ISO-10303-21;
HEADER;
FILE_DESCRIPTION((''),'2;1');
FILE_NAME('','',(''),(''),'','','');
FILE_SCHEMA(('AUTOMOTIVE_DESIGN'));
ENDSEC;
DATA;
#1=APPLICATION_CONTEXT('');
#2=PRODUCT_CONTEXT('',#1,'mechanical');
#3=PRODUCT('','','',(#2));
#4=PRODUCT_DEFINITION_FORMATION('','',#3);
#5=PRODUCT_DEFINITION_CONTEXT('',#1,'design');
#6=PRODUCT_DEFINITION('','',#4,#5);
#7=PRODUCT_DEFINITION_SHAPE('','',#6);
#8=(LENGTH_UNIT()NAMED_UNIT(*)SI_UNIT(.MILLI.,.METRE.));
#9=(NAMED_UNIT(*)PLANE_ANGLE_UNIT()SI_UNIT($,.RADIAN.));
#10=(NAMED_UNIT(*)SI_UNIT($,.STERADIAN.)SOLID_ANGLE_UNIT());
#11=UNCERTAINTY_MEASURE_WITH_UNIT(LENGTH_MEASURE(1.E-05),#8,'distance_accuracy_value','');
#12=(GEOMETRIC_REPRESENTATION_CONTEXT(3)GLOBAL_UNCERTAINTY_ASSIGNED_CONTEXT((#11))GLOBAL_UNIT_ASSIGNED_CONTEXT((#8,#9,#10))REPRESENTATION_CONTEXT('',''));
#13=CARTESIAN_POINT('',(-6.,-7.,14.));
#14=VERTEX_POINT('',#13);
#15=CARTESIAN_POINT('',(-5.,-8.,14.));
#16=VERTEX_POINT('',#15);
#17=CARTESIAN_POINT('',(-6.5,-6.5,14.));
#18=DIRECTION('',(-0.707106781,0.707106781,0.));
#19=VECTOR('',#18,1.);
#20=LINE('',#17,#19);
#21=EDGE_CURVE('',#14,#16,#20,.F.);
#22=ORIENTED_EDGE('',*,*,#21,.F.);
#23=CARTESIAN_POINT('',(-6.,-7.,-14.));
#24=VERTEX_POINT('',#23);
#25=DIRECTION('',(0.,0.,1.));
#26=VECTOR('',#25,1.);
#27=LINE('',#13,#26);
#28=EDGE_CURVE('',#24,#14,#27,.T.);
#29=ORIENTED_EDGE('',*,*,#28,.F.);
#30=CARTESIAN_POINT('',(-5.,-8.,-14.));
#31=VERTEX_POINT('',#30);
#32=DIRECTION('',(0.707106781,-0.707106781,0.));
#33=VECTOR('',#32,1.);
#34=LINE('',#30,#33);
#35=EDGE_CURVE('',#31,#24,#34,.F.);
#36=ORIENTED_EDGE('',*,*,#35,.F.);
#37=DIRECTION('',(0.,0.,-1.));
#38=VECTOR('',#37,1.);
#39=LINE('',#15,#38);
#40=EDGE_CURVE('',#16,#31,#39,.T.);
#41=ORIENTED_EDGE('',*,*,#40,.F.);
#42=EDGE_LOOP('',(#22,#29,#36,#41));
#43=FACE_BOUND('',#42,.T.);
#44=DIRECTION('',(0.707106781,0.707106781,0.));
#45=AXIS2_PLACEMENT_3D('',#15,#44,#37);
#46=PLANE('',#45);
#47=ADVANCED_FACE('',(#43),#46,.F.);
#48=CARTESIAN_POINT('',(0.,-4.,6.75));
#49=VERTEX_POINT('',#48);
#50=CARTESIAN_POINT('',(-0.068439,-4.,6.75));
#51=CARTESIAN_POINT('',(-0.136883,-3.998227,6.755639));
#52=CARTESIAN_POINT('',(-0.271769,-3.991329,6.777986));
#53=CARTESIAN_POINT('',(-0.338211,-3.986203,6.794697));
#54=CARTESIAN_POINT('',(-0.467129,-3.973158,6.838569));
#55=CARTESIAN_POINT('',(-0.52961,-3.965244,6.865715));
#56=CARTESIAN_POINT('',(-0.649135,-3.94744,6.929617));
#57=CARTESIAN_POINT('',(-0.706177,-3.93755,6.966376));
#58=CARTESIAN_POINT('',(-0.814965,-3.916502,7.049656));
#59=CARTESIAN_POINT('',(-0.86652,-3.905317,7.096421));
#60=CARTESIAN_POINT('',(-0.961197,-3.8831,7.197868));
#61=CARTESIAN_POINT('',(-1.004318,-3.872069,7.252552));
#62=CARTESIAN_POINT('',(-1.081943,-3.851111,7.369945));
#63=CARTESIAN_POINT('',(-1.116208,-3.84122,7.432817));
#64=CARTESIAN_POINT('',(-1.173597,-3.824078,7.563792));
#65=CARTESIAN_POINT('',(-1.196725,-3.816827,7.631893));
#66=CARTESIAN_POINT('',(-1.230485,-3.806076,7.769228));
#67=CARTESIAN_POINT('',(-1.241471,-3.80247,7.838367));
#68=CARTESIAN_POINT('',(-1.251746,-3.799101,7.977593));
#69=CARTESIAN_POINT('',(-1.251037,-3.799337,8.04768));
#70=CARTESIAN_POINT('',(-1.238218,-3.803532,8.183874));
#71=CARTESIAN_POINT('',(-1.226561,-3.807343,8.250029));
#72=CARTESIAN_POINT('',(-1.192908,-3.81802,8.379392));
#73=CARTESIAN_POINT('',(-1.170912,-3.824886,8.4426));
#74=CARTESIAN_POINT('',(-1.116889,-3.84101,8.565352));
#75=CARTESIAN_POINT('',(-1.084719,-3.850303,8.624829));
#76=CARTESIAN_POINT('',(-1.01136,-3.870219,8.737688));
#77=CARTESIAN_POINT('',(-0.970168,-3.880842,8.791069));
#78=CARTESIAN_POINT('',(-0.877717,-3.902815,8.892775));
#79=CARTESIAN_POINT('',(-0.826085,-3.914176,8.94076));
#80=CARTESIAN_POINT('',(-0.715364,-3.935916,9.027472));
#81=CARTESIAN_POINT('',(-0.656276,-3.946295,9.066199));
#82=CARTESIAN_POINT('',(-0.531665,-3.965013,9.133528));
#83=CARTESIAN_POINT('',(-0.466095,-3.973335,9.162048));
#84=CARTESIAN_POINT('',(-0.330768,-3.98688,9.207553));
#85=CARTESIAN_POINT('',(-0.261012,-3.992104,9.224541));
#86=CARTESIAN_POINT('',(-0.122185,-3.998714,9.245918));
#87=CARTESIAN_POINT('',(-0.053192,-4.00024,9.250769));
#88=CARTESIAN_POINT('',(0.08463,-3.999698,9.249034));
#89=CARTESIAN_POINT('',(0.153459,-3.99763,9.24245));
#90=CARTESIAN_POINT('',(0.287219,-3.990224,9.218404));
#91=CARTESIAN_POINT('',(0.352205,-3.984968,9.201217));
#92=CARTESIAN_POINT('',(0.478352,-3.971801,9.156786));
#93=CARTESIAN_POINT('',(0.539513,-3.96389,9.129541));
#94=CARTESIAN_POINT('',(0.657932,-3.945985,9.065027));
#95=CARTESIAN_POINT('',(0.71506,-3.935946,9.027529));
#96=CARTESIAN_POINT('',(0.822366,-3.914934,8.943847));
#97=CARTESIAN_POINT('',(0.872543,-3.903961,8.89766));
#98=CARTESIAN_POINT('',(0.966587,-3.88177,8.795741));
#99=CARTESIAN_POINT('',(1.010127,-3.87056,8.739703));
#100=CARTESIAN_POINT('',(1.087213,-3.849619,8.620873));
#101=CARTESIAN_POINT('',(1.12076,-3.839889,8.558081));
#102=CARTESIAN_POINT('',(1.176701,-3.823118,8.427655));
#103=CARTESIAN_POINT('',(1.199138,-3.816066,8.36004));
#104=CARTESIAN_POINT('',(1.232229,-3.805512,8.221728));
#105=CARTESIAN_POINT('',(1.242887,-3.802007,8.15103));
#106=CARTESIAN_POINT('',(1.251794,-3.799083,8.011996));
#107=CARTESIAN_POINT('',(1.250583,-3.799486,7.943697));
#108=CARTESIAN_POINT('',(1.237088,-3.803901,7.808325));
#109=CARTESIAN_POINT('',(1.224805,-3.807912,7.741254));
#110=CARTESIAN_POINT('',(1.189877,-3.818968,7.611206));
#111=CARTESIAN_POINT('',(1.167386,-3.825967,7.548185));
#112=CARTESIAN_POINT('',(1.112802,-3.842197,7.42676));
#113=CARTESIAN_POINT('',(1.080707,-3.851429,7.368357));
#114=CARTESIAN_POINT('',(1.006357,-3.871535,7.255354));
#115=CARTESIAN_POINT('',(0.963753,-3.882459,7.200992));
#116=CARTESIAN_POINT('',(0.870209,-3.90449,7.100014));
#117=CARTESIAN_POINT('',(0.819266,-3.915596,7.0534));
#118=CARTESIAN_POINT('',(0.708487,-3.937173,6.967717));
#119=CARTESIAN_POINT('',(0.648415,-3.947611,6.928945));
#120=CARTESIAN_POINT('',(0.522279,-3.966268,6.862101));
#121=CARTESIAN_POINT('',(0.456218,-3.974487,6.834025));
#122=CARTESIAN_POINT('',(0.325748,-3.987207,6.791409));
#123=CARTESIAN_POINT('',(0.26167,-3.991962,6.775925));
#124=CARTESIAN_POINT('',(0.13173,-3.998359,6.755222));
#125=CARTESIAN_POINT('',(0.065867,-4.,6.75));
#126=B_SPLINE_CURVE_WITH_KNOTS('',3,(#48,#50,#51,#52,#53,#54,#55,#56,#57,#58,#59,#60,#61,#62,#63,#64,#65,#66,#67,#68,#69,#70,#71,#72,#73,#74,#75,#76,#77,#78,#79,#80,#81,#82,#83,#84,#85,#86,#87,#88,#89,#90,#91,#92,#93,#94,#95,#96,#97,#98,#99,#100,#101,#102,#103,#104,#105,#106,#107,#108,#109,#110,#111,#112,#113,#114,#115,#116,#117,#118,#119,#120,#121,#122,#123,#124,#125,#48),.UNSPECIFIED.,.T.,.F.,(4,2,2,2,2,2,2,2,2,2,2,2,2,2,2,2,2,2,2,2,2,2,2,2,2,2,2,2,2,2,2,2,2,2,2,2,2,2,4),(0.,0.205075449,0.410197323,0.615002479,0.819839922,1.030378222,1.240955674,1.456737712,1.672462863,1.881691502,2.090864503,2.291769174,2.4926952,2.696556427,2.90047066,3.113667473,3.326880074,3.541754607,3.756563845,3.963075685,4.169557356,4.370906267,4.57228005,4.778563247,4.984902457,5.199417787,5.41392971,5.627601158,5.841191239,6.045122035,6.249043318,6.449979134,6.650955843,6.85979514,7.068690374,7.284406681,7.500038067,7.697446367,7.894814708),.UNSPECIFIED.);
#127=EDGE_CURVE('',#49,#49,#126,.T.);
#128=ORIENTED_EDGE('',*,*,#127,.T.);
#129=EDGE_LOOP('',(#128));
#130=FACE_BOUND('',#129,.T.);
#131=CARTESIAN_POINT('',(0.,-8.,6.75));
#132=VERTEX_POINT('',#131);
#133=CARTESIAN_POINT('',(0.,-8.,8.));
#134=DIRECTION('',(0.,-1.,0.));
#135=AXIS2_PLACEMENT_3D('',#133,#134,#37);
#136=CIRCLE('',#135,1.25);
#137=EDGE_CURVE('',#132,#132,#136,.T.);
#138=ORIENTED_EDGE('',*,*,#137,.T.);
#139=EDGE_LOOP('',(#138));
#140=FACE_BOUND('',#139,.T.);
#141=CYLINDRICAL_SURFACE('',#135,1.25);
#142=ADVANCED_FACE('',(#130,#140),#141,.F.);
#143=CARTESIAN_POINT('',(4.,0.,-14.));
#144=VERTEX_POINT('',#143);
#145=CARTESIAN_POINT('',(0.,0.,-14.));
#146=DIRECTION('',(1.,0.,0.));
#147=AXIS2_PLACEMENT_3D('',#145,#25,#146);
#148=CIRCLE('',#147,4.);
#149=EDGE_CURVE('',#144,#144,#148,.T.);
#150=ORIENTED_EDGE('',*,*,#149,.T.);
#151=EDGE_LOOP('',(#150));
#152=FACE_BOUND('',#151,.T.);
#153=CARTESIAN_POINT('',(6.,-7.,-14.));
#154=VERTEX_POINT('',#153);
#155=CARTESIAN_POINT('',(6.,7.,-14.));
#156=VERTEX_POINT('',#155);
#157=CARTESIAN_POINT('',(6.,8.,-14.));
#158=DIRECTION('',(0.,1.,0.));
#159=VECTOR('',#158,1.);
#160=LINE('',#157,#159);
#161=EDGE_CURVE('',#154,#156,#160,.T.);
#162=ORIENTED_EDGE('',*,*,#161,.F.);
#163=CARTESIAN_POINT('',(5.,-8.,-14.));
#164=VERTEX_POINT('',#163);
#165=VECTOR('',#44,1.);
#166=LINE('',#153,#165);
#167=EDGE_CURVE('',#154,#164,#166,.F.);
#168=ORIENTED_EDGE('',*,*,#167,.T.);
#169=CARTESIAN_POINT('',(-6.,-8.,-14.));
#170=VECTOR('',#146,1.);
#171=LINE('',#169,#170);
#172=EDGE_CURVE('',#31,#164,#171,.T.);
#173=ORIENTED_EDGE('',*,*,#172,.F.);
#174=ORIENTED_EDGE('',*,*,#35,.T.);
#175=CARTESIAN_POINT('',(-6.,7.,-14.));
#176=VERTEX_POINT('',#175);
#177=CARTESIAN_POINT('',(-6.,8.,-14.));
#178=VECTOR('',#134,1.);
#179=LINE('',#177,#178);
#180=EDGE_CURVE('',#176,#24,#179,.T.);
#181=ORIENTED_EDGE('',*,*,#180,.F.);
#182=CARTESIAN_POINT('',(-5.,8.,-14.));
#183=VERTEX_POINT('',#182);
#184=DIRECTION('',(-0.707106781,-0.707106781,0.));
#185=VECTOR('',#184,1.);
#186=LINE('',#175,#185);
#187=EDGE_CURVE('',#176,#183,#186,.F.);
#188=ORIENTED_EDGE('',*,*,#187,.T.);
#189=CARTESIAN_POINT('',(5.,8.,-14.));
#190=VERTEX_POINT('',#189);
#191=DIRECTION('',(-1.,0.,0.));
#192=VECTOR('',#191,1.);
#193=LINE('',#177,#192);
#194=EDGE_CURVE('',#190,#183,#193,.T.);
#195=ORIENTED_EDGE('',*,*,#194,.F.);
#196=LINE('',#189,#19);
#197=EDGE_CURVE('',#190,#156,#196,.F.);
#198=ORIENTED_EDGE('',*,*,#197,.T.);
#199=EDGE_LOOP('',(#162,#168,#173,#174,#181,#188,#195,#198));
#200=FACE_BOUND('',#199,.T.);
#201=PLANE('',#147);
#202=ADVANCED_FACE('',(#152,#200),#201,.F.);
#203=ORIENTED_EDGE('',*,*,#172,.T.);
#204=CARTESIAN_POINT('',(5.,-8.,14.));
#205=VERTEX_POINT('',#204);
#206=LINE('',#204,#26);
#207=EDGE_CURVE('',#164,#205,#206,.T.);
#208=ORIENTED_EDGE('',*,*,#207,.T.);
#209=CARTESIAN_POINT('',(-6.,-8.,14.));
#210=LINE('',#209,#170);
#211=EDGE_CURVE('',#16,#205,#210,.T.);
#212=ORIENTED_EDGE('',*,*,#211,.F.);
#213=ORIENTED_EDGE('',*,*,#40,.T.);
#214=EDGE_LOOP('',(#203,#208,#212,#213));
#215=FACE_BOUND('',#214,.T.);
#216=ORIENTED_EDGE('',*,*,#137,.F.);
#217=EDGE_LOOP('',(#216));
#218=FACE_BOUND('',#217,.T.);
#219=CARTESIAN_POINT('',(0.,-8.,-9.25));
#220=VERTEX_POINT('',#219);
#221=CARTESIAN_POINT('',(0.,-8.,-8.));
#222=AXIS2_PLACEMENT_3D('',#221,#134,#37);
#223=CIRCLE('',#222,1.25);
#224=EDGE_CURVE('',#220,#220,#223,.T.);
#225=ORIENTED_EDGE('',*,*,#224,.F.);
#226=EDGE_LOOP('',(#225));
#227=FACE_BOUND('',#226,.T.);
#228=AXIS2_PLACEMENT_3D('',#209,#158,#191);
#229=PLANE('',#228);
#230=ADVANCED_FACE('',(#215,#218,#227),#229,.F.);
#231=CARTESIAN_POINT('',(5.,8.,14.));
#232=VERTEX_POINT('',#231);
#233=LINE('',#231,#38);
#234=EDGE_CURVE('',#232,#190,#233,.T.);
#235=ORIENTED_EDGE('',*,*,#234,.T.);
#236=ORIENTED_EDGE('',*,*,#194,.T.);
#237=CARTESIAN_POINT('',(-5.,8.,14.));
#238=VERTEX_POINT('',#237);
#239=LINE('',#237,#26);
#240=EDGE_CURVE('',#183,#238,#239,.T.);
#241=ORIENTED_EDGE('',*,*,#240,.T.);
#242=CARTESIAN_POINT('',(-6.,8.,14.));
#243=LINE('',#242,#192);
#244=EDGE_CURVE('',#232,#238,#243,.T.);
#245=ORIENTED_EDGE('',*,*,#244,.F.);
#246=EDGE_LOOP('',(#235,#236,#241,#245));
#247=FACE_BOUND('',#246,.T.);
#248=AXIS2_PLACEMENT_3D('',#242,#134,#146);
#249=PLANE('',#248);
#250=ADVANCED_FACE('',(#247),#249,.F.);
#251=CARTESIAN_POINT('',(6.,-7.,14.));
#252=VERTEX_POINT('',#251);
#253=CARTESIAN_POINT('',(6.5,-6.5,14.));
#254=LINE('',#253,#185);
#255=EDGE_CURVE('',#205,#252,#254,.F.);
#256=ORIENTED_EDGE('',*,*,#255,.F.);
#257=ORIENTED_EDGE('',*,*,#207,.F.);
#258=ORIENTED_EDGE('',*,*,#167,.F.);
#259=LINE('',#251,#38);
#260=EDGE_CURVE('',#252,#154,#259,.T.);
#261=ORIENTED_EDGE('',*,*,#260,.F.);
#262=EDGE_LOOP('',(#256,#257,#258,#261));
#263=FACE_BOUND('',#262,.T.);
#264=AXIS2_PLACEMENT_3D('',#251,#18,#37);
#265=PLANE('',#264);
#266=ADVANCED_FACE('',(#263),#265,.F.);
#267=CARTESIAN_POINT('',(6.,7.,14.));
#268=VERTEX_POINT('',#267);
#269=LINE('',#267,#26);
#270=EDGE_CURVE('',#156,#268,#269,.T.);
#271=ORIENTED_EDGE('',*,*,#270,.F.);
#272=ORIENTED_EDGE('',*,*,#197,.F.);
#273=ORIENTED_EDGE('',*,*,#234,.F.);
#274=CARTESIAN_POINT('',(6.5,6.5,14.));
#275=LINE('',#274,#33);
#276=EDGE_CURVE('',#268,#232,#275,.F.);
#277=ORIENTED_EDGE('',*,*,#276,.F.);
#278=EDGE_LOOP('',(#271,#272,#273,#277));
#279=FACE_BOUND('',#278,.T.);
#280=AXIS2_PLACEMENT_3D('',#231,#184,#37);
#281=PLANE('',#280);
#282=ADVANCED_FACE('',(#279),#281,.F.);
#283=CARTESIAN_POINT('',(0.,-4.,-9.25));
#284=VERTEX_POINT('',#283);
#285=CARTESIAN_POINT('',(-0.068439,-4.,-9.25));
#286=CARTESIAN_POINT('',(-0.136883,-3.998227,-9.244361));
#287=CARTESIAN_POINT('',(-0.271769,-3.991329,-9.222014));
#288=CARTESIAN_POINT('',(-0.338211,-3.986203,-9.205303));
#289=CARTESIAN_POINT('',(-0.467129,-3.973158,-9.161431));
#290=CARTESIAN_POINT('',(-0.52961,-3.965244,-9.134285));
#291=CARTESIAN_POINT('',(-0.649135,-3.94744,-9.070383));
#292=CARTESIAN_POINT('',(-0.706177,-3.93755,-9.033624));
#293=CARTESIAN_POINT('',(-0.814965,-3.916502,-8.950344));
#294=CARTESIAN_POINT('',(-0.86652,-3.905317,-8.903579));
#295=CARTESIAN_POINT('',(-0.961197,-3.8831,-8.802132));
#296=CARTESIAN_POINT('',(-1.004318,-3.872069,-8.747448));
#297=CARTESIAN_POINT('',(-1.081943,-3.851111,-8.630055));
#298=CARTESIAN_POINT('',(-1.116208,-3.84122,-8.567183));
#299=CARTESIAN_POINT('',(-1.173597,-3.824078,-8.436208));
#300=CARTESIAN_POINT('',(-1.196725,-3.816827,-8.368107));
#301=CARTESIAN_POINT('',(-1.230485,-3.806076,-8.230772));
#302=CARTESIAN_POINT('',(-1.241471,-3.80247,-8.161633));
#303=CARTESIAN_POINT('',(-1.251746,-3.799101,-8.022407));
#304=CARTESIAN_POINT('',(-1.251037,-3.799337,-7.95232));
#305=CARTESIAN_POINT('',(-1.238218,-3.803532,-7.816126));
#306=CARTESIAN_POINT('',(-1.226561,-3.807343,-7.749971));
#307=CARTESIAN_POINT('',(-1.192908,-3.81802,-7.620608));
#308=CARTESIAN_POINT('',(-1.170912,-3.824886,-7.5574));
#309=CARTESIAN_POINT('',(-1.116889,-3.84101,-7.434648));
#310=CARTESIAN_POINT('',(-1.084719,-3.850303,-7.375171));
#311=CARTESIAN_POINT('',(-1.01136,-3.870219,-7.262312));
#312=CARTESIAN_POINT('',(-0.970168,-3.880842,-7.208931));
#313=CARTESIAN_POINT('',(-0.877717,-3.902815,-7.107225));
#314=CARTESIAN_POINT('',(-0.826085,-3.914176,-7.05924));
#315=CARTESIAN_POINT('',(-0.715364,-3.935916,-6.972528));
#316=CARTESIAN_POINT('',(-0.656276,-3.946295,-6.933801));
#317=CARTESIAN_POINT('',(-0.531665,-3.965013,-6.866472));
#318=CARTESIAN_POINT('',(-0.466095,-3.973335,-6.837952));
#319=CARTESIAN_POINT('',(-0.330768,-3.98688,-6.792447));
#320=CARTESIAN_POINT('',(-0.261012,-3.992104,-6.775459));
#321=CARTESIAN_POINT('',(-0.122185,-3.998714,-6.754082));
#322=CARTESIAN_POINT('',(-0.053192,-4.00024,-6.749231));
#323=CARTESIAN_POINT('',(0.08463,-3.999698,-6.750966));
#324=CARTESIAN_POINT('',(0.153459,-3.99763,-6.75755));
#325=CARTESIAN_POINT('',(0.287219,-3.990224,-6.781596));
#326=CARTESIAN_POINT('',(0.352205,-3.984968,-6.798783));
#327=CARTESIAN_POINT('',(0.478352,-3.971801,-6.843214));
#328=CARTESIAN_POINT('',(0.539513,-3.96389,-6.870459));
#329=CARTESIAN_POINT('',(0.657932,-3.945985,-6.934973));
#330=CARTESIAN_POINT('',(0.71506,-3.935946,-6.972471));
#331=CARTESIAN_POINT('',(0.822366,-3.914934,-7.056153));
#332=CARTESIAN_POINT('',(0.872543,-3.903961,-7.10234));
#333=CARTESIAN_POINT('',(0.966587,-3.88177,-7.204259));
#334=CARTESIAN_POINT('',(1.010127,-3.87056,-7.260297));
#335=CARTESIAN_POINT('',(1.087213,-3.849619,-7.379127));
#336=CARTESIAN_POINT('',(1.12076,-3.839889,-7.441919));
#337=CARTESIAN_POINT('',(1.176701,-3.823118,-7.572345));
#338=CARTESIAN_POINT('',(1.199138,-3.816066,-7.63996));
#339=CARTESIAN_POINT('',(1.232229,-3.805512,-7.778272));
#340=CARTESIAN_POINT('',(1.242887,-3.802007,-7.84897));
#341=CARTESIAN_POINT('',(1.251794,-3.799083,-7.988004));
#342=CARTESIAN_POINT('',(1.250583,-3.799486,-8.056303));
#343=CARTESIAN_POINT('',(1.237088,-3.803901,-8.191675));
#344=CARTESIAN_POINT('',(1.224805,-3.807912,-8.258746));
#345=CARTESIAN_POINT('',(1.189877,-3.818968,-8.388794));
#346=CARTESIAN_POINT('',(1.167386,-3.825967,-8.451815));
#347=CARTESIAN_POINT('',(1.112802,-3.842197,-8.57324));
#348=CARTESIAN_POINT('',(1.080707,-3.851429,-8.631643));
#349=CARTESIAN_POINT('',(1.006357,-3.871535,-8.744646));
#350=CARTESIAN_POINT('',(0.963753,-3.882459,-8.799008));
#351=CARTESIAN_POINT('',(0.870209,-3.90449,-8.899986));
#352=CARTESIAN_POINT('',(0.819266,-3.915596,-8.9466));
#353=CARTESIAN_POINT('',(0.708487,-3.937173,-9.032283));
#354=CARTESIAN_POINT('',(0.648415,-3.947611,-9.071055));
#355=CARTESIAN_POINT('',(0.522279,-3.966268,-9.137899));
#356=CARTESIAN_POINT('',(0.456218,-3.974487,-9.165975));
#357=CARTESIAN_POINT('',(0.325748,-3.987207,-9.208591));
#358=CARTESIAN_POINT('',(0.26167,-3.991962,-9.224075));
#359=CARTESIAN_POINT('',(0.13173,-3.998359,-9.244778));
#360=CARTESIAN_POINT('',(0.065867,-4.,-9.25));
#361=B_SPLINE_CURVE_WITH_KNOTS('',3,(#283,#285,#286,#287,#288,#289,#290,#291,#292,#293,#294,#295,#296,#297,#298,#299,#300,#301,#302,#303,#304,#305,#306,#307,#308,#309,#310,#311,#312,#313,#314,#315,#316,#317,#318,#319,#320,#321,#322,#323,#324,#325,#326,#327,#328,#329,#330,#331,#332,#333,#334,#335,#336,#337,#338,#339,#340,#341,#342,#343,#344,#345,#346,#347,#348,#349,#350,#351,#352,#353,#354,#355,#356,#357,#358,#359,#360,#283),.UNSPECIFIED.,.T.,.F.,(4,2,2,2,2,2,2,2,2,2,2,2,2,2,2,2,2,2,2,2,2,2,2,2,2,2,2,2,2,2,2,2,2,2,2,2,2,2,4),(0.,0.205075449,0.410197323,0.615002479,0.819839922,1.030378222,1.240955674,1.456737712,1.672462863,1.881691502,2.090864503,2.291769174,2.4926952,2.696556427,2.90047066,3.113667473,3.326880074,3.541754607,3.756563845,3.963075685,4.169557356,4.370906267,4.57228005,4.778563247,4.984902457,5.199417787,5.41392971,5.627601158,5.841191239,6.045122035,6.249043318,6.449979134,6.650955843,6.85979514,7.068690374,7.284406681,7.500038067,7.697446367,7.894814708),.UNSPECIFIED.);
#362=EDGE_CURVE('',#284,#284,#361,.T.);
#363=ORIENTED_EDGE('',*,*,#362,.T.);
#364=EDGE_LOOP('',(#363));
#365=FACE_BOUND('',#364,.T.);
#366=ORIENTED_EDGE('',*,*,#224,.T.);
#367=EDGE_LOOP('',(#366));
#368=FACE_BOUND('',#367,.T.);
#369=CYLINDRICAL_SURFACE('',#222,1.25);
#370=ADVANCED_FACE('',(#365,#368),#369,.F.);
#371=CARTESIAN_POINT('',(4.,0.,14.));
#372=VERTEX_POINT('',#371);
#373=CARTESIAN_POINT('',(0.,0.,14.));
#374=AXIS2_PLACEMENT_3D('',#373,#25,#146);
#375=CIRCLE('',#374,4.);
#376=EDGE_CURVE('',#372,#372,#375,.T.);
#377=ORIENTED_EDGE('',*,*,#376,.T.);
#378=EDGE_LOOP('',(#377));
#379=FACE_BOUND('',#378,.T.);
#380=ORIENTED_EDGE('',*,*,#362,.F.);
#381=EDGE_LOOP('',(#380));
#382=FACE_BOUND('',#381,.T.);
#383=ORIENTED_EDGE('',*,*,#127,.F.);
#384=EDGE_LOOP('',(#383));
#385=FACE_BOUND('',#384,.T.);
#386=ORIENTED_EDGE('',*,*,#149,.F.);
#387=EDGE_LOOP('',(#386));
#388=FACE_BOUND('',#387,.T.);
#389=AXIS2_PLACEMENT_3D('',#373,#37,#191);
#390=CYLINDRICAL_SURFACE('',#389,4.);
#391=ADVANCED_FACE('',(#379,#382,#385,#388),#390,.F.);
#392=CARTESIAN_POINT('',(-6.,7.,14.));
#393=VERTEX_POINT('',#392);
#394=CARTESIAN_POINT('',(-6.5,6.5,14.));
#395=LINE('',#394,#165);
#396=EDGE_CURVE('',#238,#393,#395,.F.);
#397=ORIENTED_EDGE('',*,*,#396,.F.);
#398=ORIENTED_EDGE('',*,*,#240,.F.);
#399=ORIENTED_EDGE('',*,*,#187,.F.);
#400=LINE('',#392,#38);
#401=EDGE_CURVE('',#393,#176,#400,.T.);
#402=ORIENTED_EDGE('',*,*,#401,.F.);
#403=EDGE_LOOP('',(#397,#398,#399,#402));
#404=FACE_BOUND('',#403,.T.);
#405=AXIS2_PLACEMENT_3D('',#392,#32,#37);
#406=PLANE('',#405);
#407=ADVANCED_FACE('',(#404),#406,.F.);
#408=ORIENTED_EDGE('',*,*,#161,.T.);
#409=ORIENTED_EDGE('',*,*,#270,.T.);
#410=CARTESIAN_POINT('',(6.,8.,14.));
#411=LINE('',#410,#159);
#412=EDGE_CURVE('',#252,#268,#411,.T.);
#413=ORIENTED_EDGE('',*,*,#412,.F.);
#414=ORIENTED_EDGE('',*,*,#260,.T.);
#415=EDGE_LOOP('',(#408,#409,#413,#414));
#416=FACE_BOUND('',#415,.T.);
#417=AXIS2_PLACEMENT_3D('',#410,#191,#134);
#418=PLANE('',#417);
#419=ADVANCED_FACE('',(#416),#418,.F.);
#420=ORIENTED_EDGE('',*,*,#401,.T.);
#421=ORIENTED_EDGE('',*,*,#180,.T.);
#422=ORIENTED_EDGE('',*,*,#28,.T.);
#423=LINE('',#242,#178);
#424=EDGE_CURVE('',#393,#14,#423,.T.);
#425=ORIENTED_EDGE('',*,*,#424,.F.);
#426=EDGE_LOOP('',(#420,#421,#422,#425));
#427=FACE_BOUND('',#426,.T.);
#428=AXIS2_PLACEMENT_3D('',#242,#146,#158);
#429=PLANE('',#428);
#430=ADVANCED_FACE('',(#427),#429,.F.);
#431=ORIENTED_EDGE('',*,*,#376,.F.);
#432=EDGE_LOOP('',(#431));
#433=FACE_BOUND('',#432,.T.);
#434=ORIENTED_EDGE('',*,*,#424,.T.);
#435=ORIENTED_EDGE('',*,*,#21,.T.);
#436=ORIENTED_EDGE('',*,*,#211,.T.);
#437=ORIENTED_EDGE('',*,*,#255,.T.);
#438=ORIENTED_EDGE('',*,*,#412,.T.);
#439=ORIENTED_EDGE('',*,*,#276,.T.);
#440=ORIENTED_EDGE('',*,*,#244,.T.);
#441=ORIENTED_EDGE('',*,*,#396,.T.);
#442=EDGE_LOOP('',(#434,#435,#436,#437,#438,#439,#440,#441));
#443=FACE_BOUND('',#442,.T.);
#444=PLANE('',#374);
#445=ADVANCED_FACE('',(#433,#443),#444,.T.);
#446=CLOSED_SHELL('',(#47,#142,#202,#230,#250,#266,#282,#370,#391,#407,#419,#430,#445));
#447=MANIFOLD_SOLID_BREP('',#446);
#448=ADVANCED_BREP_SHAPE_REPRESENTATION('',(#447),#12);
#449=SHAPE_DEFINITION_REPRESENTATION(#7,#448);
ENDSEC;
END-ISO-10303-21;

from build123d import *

# Parameters (mm, degrees)
ESQUISSE1_W           = 12
ESQUISSE1_H           = 16
ESQUISSE1_R           = 4
BOSS_EXTRU_1_DEPTH    = 14
CHANFREIN1_SIZE       = 1
TROU_TARAUD_M31_D     = 2.5
TROU_TARAUD_M31_DEPTH = 8.5
TROU_TARAUD_M31_TIP   = 0.751075774


with BuildPart() as part:
    # Esquisse1 → Boss.-Extru.1 (new, symmetric)
    with BuildSketch(Plane.XY):
        Rectangle(ESQUISSE1_W, ESQUISSE1_H)
        Circle(ESQUISSE1_R, mode=Mode.SUBTRACT)
    extrude(amount=BOSS_EXTRU_1_DEPTH, both=True)

    # Chanfrein1
    chanfrein1_edges = [part.edges().sort_by_distance(p)[0] for p in [
        (-6, 8, 0),
        (6, 8, 0),
        (6, -8, 0),
        (-6, -8, 0),
    ]]
    chamfer(chanfrein1_edges, length=CHANFREIN1_SIZE)

    # Trou taraudé M31
    with Locations(Plane(origin=(0, -8, 0), x_dir=(-1, 0, 0), z_dir=(0, -1, 0))):
        with Locations((0, 8), (0, -8)):
            Hole(TROU_TARAUD_M31_D / 2, depth=TROU_TARAUD_M31_DEPTH)
            with Locations((0, 0, -(TROU_TARAUD_M31_DEPTH + TROU_TARAUD_M31_TIP / 2))):  # 118° drill point
                Cone(0, TROU_TARAUD_M31_D / 2, TROU_TARAUD_M31_TIP, mode=Mode.SUBTRACT)


solid = part.part
